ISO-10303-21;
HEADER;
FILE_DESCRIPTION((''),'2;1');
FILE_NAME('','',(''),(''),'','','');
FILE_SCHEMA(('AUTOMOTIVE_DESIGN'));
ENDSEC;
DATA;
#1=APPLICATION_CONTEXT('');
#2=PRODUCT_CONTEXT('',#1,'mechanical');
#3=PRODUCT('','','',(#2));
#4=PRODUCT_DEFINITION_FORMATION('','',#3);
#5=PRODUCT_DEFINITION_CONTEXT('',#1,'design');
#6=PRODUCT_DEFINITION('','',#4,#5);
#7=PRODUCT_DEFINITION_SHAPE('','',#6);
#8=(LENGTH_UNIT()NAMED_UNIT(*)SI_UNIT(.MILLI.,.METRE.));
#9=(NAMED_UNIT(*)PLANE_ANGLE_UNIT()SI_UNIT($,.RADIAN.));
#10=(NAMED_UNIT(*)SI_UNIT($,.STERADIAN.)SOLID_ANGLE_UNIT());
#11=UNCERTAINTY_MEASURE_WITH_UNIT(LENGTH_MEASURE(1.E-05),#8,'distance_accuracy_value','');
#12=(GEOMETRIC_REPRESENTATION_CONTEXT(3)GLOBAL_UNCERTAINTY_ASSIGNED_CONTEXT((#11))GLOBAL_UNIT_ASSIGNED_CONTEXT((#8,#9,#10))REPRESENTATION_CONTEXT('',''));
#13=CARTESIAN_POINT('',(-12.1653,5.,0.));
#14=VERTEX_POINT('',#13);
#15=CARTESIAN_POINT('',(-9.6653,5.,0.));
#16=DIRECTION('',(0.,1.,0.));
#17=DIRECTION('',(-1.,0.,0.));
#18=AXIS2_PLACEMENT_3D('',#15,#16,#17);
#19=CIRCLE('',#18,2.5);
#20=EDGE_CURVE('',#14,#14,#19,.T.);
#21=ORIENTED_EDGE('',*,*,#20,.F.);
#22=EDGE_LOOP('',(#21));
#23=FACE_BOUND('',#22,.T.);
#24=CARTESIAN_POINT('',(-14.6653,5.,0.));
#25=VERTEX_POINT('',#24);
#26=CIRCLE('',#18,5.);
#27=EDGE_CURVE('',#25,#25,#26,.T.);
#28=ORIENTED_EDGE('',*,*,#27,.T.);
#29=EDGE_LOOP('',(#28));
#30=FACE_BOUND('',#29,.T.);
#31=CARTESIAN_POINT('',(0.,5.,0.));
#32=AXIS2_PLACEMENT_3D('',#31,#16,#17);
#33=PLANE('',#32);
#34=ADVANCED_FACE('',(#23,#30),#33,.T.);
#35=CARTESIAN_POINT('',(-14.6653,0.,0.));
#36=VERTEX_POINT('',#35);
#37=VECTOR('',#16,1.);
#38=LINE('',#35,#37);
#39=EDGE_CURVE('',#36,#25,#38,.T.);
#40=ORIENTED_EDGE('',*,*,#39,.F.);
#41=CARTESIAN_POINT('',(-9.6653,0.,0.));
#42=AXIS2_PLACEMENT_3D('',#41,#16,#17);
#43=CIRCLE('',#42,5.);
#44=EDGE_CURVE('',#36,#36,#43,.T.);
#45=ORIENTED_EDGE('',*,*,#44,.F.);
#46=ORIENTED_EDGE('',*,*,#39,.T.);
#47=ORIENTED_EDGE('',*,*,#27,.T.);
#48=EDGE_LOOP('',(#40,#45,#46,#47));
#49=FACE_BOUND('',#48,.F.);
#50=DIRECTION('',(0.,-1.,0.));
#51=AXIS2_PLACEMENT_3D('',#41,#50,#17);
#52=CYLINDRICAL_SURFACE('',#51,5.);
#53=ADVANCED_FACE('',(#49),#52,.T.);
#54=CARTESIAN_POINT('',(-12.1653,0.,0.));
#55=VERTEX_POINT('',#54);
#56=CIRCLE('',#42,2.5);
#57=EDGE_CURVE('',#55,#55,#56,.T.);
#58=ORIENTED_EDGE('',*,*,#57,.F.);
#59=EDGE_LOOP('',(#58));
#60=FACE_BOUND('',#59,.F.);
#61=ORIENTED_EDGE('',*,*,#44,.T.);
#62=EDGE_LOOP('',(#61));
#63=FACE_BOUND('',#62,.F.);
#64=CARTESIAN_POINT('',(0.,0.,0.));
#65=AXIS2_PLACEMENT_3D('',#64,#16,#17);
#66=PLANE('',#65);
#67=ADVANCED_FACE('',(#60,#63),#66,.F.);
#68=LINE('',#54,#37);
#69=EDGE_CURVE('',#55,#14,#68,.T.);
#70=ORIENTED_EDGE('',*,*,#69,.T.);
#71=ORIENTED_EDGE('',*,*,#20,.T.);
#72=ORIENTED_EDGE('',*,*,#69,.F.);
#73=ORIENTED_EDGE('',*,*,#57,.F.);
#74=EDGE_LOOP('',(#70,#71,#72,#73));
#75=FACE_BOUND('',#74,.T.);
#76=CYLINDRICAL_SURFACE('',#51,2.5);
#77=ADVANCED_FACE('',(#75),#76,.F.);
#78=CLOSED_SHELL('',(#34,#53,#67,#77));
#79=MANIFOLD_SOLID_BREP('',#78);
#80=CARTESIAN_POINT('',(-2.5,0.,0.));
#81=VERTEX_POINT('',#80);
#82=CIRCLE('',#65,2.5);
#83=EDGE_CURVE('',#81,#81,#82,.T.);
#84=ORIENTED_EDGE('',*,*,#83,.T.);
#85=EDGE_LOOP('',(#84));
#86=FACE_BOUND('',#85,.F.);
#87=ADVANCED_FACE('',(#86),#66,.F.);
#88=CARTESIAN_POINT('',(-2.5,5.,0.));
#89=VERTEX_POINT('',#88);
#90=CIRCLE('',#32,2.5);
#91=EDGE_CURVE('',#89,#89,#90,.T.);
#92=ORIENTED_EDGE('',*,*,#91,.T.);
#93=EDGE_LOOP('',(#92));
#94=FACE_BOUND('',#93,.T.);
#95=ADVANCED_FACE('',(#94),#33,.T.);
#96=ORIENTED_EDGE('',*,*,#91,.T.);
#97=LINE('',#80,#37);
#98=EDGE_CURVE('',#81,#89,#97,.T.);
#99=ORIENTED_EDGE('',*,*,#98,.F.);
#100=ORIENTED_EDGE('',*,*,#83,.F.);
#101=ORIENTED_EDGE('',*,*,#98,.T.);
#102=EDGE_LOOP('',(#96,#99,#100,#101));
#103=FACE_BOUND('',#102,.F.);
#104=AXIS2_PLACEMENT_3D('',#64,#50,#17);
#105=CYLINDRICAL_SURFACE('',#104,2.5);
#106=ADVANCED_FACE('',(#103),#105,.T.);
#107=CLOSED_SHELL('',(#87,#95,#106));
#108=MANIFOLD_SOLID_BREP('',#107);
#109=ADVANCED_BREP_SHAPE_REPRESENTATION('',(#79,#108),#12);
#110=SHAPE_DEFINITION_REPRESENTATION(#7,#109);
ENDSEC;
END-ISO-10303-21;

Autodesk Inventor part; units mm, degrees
ref_plane "YZ Plane" through (0, 0, 0) normal (1, 0, 0) x (0, 1, 0)
ref_plane "XZ Plane" through (0, 0, 0) normal (0, 1, 0) x (-1, 0, 0)
ref_plane "XY Plane" through (0, 0, 0) normal (0, 0, 1) x (1, 0, 0)
sketch "Sketch1" plane through (0, 0, 0) normal (0, 1, 0) x (-1, 0, 0)
  circle A0 centre (0, 0) radius 2.5
  circle A1 centre (9.6653, 0) radius 2.5
  circle A2 centre (9.6653, 0) radius 5
  dimension "d0" = 5
  dimension "d1" = 5
  dimension "d2" = 10
  dimension "d3" = 9.6653
extrude "Extrusion1" add sketch "Sketch1" along normal blind 5
